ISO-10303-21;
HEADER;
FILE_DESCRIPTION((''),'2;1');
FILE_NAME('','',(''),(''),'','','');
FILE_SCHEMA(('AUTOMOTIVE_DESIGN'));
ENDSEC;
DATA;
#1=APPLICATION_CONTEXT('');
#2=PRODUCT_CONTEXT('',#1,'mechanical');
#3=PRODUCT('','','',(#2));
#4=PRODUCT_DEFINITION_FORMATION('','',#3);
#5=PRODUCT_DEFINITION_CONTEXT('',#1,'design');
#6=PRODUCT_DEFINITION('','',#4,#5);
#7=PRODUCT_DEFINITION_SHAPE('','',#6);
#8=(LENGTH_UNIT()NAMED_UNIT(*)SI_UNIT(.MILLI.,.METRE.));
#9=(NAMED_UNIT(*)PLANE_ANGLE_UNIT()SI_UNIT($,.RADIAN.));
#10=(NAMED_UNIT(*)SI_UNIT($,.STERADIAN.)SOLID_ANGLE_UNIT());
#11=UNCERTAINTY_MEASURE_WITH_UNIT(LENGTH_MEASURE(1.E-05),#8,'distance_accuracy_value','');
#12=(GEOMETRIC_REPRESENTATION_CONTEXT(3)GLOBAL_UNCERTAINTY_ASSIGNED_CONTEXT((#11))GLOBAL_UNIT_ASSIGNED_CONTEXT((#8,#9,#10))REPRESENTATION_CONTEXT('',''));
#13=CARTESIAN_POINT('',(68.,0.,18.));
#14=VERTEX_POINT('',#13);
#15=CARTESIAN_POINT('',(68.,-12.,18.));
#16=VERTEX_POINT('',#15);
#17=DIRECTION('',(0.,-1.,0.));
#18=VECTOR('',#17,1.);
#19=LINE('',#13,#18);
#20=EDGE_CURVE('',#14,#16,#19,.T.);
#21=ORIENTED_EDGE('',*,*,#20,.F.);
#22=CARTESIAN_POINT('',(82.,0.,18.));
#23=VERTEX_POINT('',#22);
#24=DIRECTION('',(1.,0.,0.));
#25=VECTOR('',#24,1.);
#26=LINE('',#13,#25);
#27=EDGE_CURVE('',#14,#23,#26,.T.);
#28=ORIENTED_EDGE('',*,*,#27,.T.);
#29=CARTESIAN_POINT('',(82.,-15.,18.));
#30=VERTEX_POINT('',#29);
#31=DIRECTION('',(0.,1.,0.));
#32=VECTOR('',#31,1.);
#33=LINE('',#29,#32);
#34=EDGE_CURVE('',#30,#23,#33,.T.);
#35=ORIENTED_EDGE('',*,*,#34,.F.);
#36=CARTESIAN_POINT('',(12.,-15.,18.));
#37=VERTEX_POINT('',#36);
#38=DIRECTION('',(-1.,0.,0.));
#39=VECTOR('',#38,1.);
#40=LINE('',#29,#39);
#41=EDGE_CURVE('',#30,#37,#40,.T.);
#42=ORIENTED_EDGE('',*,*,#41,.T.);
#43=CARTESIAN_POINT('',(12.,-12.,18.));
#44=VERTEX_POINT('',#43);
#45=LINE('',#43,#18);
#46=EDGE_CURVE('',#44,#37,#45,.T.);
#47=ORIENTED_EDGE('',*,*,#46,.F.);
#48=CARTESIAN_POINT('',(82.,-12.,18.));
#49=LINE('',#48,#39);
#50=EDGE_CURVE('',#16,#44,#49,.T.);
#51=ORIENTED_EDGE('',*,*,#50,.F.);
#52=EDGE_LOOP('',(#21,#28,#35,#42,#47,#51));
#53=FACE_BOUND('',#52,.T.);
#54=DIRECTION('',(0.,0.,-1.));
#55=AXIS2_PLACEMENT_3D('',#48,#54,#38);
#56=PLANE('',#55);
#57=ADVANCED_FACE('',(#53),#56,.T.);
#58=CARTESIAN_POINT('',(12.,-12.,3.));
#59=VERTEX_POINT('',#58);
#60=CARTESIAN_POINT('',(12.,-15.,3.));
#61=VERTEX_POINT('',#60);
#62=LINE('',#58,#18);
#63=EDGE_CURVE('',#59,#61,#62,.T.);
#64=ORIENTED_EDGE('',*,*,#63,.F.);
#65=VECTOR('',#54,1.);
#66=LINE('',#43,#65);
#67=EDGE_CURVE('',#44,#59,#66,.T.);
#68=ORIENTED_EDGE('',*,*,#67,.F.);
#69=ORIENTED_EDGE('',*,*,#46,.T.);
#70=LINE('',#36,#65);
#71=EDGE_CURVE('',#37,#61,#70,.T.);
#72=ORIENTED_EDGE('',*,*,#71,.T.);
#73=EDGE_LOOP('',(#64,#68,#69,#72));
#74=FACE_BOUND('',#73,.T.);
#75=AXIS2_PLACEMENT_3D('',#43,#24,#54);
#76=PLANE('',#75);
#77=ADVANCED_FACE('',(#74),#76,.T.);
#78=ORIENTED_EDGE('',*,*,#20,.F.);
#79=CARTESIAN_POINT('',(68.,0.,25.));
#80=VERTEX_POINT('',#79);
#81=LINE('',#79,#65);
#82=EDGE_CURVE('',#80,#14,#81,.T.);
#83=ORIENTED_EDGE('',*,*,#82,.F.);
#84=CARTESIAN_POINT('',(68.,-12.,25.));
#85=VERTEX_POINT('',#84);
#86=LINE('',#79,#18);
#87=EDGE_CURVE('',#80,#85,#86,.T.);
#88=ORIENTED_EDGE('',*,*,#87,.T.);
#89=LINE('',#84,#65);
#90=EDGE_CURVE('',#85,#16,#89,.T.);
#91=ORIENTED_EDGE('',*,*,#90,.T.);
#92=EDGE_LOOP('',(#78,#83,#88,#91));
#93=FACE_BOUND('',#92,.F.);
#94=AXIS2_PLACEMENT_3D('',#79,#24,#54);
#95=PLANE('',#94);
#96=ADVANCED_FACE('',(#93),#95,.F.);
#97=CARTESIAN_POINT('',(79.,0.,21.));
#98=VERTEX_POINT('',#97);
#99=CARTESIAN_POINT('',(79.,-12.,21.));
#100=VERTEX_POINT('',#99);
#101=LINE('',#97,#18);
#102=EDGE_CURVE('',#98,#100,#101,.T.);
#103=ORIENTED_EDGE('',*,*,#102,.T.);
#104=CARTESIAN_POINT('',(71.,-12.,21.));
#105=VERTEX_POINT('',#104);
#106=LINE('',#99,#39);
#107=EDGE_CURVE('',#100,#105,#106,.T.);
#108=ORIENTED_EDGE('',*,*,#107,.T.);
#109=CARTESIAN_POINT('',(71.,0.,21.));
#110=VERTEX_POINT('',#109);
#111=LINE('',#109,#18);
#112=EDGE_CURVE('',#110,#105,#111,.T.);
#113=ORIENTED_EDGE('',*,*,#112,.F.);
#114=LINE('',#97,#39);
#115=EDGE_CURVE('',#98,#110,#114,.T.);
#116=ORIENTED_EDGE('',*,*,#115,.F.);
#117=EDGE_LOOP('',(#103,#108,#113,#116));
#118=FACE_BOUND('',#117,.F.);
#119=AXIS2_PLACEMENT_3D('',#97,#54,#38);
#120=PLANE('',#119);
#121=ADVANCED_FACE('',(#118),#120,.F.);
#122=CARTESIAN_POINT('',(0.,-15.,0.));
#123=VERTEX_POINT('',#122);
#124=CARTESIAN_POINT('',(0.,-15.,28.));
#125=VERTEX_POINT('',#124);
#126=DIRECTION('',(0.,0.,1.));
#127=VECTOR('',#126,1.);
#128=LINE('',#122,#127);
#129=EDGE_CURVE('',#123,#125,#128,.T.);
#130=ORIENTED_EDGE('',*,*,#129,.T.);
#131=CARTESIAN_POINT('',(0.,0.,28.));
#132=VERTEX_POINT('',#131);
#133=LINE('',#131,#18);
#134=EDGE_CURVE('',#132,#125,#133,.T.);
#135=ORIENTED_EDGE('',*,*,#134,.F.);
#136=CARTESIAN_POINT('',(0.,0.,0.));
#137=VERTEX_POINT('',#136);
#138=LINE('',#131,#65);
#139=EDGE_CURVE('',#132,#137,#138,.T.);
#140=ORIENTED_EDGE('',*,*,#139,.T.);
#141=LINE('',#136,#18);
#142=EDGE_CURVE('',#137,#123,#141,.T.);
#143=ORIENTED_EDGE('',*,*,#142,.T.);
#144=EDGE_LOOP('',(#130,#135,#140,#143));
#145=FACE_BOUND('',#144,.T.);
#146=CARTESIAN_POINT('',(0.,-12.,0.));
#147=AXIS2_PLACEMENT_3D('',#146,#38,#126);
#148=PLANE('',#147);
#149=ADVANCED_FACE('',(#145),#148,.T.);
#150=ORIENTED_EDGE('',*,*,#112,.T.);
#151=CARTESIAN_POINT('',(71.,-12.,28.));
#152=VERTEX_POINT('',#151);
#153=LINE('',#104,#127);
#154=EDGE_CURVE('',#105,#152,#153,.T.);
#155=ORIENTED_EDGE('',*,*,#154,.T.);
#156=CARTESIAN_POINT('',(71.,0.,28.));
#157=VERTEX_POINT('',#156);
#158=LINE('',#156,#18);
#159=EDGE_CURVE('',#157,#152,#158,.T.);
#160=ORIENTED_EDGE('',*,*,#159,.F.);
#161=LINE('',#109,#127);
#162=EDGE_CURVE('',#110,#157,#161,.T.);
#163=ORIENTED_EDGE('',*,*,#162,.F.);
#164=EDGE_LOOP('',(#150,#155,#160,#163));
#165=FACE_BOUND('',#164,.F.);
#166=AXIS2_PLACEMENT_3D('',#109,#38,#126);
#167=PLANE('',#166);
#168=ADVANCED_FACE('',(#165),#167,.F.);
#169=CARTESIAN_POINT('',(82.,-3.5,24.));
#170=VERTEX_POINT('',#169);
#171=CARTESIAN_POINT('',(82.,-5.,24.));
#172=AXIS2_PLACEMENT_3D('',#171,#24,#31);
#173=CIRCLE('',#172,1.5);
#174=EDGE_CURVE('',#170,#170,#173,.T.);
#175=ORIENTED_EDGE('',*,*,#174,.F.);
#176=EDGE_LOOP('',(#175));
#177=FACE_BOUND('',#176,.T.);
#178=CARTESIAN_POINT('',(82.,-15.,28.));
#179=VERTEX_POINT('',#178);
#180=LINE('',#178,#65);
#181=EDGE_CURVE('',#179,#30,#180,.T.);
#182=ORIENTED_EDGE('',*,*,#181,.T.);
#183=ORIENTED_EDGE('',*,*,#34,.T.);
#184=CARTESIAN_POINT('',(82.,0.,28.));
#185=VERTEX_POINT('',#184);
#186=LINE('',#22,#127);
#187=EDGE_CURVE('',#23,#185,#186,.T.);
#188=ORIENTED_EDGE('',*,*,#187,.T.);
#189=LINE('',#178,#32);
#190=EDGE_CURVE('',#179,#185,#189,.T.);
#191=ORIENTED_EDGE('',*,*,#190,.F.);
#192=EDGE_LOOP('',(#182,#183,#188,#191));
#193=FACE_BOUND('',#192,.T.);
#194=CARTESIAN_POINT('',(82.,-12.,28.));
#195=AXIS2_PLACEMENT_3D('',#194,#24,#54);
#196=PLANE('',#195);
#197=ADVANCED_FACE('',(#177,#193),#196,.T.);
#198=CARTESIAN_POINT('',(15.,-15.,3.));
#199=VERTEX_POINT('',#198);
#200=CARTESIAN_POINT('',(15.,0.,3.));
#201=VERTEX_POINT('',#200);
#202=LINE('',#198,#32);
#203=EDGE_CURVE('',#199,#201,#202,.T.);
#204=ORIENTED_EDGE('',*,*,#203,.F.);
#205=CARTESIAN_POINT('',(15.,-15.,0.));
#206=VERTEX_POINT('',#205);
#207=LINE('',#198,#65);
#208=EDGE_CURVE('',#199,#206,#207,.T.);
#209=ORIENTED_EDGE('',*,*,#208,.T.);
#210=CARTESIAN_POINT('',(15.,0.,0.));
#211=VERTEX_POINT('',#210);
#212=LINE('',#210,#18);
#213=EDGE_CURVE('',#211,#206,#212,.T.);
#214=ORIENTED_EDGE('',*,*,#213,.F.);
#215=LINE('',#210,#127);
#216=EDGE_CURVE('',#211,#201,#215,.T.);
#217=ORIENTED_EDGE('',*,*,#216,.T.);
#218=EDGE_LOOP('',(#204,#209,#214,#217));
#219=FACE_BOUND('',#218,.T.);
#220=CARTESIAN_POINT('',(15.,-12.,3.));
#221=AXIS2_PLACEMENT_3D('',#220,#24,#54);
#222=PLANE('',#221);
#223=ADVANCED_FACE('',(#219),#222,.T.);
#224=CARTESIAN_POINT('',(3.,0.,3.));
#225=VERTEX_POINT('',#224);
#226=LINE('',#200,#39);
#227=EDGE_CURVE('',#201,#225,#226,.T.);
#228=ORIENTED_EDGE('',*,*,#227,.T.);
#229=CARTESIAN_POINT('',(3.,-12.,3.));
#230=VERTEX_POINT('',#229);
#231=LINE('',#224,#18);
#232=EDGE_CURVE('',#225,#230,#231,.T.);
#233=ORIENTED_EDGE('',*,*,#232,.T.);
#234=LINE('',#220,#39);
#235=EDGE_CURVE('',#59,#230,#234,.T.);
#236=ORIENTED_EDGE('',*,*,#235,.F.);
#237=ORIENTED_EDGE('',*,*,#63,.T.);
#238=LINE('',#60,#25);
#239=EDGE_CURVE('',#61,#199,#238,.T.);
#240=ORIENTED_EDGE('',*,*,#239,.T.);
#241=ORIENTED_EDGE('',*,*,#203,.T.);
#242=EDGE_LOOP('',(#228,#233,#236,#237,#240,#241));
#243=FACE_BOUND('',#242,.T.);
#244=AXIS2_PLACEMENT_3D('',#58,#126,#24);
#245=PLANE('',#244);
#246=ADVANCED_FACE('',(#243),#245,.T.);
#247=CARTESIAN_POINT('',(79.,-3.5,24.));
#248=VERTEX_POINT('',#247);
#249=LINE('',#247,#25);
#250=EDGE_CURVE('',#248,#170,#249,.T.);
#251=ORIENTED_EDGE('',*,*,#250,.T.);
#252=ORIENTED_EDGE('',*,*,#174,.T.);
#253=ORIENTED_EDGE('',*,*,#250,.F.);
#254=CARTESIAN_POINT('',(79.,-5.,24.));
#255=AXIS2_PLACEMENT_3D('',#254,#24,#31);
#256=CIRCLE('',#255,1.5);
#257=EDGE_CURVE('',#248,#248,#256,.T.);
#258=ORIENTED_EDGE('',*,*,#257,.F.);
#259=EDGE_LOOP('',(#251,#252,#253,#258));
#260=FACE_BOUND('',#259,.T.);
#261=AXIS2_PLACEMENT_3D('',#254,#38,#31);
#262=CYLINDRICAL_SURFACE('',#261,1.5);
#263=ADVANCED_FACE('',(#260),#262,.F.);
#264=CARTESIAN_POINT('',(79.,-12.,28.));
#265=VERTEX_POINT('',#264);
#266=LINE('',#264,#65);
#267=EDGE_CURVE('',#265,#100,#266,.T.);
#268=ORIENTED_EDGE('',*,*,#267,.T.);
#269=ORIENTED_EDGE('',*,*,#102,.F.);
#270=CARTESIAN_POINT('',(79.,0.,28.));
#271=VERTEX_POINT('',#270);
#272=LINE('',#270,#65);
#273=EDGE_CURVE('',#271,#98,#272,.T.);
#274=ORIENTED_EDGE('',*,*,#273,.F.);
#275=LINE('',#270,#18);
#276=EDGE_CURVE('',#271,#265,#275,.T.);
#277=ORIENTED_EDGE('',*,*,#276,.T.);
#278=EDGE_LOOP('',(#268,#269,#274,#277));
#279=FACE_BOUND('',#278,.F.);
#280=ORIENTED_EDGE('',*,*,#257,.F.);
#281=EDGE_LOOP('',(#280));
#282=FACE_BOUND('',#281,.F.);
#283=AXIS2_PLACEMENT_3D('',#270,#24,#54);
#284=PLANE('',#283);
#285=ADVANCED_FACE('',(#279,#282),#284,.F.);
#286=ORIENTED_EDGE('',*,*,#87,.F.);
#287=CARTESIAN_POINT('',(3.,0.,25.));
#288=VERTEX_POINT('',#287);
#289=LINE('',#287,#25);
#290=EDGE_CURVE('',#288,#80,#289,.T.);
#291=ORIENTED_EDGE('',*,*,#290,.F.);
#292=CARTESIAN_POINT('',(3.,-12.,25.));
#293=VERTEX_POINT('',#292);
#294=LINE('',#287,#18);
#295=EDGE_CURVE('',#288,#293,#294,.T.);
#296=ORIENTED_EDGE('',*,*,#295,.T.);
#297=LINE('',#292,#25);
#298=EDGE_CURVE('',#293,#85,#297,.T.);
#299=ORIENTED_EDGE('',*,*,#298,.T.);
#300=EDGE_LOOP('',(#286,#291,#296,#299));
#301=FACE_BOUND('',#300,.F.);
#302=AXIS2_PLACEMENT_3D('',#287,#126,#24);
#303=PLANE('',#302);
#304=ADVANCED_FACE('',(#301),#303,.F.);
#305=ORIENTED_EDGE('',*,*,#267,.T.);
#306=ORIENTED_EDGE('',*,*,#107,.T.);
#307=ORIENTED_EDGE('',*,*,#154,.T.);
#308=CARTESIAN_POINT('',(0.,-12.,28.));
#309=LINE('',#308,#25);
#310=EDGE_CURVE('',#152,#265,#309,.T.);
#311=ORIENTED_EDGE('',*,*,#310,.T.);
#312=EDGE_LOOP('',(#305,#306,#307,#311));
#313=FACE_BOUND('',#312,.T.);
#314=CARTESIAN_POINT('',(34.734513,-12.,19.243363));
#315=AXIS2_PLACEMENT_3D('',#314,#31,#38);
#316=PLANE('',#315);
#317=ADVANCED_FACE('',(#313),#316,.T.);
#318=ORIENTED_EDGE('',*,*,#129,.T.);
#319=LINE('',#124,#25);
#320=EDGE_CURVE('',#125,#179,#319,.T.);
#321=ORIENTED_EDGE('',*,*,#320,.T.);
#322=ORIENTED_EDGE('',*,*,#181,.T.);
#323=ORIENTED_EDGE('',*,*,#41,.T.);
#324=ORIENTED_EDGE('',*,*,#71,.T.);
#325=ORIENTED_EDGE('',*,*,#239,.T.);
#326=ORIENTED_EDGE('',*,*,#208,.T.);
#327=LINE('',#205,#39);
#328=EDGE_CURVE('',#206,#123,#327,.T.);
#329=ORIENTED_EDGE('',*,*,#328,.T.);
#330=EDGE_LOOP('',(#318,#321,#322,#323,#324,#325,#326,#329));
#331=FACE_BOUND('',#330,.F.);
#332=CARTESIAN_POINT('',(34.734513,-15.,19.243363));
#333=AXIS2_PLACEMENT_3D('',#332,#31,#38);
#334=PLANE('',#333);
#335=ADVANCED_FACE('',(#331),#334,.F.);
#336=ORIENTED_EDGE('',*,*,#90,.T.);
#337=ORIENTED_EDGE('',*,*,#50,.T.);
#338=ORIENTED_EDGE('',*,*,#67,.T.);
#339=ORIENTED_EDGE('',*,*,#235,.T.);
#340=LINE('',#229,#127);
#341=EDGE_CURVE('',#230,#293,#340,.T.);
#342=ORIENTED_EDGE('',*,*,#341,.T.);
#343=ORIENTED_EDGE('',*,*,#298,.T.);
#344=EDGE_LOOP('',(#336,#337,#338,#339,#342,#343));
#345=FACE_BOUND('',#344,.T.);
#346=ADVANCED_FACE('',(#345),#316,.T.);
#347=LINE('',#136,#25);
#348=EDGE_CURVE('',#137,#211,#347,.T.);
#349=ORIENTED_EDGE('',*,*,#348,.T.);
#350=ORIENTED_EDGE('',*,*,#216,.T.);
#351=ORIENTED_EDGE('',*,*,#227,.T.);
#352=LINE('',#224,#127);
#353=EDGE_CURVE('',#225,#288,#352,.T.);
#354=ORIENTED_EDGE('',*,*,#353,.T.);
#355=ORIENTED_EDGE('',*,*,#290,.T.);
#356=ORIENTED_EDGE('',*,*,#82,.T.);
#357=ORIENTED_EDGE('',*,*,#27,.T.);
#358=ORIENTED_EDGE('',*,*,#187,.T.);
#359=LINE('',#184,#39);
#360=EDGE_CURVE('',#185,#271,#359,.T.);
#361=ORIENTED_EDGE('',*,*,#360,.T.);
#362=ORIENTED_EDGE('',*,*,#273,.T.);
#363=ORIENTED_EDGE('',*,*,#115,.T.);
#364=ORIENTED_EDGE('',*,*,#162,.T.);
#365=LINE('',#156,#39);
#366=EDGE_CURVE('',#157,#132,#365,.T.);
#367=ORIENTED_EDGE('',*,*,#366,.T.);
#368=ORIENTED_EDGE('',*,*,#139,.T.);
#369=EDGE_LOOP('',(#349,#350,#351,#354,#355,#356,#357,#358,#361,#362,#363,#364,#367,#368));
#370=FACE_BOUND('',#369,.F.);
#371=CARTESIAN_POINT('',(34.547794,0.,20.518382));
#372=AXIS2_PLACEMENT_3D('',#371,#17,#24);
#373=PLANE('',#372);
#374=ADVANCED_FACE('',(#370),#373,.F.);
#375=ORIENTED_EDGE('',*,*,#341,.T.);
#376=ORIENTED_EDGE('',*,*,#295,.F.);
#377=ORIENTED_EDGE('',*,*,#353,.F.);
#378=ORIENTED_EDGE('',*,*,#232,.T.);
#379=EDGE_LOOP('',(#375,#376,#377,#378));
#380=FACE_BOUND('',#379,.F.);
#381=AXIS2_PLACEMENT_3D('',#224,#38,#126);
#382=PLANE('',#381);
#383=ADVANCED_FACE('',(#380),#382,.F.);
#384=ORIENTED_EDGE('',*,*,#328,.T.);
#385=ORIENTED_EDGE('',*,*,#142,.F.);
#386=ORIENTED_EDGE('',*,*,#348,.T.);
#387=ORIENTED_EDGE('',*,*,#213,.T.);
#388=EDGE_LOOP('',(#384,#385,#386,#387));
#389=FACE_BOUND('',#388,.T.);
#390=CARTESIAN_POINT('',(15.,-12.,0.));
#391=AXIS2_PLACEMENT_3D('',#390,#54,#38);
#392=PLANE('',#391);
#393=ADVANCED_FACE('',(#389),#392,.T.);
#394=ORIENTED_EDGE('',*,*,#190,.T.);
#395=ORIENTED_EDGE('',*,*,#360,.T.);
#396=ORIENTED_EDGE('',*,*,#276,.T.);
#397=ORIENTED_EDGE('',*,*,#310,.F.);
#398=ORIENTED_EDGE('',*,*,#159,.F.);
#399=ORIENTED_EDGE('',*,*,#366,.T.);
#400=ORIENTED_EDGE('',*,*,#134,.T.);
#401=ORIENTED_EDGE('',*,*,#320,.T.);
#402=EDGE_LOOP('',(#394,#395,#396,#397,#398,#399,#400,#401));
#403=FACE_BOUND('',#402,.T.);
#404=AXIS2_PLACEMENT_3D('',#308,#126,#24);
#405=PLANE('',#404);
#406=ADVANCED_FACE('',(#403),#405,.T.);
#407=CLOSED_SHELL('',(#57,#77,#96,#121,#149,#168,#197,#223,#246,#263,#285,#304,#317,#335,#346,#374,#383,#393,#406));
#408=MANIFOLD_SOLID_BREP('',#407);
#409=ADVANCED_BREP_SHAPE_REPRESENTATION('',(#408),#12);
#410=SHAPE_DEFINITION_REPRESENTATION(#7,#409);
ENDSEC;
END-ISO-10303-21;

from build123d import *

# Parameters (mm, degrees)
PAD_DEPTH      = 12
PAD001_DEPTH   = 3
CYLINDER_R     = 1.5
CYLINDER_DEPTH = 3


with BuildPart() as part:
    # Sketch → Pad (new body)
    with BuildSketch(Plane.XZ):
        Polygon((82, 18), (82, 28), (79, 28), (79, 21), (71, 21), (71, 28), (0, 28), (0, 0), (15, 0), (15, 3), (3, 3), (3, 25), (68, 25), (68, 18), align=None)
    extrude(amount=PAD_DEPTH)

    # Sketch001 → Pad001 (join)
    with BuildSketch(Plane.XZ.offset(12)):
        Polygon((0, 28), (82, 28), (82, 18), (12, 18), (12, 3), (15, 3), (15, 0), (0, 0), align=None)
    extrude(amount=PAD001_DEPTH)

    # Cylinder → Cylinder (cut)
    with BuildSketch(Plane(origin=(79, -5, 24), x_dir=(0, 1, 0), z_dir=(1, 0, 0))):
        Circle(CYLINDER_R)
    extrude(amount=CYLINDER_DEPTH, mode=Mode.SUBTRACT)


solid = part.part
